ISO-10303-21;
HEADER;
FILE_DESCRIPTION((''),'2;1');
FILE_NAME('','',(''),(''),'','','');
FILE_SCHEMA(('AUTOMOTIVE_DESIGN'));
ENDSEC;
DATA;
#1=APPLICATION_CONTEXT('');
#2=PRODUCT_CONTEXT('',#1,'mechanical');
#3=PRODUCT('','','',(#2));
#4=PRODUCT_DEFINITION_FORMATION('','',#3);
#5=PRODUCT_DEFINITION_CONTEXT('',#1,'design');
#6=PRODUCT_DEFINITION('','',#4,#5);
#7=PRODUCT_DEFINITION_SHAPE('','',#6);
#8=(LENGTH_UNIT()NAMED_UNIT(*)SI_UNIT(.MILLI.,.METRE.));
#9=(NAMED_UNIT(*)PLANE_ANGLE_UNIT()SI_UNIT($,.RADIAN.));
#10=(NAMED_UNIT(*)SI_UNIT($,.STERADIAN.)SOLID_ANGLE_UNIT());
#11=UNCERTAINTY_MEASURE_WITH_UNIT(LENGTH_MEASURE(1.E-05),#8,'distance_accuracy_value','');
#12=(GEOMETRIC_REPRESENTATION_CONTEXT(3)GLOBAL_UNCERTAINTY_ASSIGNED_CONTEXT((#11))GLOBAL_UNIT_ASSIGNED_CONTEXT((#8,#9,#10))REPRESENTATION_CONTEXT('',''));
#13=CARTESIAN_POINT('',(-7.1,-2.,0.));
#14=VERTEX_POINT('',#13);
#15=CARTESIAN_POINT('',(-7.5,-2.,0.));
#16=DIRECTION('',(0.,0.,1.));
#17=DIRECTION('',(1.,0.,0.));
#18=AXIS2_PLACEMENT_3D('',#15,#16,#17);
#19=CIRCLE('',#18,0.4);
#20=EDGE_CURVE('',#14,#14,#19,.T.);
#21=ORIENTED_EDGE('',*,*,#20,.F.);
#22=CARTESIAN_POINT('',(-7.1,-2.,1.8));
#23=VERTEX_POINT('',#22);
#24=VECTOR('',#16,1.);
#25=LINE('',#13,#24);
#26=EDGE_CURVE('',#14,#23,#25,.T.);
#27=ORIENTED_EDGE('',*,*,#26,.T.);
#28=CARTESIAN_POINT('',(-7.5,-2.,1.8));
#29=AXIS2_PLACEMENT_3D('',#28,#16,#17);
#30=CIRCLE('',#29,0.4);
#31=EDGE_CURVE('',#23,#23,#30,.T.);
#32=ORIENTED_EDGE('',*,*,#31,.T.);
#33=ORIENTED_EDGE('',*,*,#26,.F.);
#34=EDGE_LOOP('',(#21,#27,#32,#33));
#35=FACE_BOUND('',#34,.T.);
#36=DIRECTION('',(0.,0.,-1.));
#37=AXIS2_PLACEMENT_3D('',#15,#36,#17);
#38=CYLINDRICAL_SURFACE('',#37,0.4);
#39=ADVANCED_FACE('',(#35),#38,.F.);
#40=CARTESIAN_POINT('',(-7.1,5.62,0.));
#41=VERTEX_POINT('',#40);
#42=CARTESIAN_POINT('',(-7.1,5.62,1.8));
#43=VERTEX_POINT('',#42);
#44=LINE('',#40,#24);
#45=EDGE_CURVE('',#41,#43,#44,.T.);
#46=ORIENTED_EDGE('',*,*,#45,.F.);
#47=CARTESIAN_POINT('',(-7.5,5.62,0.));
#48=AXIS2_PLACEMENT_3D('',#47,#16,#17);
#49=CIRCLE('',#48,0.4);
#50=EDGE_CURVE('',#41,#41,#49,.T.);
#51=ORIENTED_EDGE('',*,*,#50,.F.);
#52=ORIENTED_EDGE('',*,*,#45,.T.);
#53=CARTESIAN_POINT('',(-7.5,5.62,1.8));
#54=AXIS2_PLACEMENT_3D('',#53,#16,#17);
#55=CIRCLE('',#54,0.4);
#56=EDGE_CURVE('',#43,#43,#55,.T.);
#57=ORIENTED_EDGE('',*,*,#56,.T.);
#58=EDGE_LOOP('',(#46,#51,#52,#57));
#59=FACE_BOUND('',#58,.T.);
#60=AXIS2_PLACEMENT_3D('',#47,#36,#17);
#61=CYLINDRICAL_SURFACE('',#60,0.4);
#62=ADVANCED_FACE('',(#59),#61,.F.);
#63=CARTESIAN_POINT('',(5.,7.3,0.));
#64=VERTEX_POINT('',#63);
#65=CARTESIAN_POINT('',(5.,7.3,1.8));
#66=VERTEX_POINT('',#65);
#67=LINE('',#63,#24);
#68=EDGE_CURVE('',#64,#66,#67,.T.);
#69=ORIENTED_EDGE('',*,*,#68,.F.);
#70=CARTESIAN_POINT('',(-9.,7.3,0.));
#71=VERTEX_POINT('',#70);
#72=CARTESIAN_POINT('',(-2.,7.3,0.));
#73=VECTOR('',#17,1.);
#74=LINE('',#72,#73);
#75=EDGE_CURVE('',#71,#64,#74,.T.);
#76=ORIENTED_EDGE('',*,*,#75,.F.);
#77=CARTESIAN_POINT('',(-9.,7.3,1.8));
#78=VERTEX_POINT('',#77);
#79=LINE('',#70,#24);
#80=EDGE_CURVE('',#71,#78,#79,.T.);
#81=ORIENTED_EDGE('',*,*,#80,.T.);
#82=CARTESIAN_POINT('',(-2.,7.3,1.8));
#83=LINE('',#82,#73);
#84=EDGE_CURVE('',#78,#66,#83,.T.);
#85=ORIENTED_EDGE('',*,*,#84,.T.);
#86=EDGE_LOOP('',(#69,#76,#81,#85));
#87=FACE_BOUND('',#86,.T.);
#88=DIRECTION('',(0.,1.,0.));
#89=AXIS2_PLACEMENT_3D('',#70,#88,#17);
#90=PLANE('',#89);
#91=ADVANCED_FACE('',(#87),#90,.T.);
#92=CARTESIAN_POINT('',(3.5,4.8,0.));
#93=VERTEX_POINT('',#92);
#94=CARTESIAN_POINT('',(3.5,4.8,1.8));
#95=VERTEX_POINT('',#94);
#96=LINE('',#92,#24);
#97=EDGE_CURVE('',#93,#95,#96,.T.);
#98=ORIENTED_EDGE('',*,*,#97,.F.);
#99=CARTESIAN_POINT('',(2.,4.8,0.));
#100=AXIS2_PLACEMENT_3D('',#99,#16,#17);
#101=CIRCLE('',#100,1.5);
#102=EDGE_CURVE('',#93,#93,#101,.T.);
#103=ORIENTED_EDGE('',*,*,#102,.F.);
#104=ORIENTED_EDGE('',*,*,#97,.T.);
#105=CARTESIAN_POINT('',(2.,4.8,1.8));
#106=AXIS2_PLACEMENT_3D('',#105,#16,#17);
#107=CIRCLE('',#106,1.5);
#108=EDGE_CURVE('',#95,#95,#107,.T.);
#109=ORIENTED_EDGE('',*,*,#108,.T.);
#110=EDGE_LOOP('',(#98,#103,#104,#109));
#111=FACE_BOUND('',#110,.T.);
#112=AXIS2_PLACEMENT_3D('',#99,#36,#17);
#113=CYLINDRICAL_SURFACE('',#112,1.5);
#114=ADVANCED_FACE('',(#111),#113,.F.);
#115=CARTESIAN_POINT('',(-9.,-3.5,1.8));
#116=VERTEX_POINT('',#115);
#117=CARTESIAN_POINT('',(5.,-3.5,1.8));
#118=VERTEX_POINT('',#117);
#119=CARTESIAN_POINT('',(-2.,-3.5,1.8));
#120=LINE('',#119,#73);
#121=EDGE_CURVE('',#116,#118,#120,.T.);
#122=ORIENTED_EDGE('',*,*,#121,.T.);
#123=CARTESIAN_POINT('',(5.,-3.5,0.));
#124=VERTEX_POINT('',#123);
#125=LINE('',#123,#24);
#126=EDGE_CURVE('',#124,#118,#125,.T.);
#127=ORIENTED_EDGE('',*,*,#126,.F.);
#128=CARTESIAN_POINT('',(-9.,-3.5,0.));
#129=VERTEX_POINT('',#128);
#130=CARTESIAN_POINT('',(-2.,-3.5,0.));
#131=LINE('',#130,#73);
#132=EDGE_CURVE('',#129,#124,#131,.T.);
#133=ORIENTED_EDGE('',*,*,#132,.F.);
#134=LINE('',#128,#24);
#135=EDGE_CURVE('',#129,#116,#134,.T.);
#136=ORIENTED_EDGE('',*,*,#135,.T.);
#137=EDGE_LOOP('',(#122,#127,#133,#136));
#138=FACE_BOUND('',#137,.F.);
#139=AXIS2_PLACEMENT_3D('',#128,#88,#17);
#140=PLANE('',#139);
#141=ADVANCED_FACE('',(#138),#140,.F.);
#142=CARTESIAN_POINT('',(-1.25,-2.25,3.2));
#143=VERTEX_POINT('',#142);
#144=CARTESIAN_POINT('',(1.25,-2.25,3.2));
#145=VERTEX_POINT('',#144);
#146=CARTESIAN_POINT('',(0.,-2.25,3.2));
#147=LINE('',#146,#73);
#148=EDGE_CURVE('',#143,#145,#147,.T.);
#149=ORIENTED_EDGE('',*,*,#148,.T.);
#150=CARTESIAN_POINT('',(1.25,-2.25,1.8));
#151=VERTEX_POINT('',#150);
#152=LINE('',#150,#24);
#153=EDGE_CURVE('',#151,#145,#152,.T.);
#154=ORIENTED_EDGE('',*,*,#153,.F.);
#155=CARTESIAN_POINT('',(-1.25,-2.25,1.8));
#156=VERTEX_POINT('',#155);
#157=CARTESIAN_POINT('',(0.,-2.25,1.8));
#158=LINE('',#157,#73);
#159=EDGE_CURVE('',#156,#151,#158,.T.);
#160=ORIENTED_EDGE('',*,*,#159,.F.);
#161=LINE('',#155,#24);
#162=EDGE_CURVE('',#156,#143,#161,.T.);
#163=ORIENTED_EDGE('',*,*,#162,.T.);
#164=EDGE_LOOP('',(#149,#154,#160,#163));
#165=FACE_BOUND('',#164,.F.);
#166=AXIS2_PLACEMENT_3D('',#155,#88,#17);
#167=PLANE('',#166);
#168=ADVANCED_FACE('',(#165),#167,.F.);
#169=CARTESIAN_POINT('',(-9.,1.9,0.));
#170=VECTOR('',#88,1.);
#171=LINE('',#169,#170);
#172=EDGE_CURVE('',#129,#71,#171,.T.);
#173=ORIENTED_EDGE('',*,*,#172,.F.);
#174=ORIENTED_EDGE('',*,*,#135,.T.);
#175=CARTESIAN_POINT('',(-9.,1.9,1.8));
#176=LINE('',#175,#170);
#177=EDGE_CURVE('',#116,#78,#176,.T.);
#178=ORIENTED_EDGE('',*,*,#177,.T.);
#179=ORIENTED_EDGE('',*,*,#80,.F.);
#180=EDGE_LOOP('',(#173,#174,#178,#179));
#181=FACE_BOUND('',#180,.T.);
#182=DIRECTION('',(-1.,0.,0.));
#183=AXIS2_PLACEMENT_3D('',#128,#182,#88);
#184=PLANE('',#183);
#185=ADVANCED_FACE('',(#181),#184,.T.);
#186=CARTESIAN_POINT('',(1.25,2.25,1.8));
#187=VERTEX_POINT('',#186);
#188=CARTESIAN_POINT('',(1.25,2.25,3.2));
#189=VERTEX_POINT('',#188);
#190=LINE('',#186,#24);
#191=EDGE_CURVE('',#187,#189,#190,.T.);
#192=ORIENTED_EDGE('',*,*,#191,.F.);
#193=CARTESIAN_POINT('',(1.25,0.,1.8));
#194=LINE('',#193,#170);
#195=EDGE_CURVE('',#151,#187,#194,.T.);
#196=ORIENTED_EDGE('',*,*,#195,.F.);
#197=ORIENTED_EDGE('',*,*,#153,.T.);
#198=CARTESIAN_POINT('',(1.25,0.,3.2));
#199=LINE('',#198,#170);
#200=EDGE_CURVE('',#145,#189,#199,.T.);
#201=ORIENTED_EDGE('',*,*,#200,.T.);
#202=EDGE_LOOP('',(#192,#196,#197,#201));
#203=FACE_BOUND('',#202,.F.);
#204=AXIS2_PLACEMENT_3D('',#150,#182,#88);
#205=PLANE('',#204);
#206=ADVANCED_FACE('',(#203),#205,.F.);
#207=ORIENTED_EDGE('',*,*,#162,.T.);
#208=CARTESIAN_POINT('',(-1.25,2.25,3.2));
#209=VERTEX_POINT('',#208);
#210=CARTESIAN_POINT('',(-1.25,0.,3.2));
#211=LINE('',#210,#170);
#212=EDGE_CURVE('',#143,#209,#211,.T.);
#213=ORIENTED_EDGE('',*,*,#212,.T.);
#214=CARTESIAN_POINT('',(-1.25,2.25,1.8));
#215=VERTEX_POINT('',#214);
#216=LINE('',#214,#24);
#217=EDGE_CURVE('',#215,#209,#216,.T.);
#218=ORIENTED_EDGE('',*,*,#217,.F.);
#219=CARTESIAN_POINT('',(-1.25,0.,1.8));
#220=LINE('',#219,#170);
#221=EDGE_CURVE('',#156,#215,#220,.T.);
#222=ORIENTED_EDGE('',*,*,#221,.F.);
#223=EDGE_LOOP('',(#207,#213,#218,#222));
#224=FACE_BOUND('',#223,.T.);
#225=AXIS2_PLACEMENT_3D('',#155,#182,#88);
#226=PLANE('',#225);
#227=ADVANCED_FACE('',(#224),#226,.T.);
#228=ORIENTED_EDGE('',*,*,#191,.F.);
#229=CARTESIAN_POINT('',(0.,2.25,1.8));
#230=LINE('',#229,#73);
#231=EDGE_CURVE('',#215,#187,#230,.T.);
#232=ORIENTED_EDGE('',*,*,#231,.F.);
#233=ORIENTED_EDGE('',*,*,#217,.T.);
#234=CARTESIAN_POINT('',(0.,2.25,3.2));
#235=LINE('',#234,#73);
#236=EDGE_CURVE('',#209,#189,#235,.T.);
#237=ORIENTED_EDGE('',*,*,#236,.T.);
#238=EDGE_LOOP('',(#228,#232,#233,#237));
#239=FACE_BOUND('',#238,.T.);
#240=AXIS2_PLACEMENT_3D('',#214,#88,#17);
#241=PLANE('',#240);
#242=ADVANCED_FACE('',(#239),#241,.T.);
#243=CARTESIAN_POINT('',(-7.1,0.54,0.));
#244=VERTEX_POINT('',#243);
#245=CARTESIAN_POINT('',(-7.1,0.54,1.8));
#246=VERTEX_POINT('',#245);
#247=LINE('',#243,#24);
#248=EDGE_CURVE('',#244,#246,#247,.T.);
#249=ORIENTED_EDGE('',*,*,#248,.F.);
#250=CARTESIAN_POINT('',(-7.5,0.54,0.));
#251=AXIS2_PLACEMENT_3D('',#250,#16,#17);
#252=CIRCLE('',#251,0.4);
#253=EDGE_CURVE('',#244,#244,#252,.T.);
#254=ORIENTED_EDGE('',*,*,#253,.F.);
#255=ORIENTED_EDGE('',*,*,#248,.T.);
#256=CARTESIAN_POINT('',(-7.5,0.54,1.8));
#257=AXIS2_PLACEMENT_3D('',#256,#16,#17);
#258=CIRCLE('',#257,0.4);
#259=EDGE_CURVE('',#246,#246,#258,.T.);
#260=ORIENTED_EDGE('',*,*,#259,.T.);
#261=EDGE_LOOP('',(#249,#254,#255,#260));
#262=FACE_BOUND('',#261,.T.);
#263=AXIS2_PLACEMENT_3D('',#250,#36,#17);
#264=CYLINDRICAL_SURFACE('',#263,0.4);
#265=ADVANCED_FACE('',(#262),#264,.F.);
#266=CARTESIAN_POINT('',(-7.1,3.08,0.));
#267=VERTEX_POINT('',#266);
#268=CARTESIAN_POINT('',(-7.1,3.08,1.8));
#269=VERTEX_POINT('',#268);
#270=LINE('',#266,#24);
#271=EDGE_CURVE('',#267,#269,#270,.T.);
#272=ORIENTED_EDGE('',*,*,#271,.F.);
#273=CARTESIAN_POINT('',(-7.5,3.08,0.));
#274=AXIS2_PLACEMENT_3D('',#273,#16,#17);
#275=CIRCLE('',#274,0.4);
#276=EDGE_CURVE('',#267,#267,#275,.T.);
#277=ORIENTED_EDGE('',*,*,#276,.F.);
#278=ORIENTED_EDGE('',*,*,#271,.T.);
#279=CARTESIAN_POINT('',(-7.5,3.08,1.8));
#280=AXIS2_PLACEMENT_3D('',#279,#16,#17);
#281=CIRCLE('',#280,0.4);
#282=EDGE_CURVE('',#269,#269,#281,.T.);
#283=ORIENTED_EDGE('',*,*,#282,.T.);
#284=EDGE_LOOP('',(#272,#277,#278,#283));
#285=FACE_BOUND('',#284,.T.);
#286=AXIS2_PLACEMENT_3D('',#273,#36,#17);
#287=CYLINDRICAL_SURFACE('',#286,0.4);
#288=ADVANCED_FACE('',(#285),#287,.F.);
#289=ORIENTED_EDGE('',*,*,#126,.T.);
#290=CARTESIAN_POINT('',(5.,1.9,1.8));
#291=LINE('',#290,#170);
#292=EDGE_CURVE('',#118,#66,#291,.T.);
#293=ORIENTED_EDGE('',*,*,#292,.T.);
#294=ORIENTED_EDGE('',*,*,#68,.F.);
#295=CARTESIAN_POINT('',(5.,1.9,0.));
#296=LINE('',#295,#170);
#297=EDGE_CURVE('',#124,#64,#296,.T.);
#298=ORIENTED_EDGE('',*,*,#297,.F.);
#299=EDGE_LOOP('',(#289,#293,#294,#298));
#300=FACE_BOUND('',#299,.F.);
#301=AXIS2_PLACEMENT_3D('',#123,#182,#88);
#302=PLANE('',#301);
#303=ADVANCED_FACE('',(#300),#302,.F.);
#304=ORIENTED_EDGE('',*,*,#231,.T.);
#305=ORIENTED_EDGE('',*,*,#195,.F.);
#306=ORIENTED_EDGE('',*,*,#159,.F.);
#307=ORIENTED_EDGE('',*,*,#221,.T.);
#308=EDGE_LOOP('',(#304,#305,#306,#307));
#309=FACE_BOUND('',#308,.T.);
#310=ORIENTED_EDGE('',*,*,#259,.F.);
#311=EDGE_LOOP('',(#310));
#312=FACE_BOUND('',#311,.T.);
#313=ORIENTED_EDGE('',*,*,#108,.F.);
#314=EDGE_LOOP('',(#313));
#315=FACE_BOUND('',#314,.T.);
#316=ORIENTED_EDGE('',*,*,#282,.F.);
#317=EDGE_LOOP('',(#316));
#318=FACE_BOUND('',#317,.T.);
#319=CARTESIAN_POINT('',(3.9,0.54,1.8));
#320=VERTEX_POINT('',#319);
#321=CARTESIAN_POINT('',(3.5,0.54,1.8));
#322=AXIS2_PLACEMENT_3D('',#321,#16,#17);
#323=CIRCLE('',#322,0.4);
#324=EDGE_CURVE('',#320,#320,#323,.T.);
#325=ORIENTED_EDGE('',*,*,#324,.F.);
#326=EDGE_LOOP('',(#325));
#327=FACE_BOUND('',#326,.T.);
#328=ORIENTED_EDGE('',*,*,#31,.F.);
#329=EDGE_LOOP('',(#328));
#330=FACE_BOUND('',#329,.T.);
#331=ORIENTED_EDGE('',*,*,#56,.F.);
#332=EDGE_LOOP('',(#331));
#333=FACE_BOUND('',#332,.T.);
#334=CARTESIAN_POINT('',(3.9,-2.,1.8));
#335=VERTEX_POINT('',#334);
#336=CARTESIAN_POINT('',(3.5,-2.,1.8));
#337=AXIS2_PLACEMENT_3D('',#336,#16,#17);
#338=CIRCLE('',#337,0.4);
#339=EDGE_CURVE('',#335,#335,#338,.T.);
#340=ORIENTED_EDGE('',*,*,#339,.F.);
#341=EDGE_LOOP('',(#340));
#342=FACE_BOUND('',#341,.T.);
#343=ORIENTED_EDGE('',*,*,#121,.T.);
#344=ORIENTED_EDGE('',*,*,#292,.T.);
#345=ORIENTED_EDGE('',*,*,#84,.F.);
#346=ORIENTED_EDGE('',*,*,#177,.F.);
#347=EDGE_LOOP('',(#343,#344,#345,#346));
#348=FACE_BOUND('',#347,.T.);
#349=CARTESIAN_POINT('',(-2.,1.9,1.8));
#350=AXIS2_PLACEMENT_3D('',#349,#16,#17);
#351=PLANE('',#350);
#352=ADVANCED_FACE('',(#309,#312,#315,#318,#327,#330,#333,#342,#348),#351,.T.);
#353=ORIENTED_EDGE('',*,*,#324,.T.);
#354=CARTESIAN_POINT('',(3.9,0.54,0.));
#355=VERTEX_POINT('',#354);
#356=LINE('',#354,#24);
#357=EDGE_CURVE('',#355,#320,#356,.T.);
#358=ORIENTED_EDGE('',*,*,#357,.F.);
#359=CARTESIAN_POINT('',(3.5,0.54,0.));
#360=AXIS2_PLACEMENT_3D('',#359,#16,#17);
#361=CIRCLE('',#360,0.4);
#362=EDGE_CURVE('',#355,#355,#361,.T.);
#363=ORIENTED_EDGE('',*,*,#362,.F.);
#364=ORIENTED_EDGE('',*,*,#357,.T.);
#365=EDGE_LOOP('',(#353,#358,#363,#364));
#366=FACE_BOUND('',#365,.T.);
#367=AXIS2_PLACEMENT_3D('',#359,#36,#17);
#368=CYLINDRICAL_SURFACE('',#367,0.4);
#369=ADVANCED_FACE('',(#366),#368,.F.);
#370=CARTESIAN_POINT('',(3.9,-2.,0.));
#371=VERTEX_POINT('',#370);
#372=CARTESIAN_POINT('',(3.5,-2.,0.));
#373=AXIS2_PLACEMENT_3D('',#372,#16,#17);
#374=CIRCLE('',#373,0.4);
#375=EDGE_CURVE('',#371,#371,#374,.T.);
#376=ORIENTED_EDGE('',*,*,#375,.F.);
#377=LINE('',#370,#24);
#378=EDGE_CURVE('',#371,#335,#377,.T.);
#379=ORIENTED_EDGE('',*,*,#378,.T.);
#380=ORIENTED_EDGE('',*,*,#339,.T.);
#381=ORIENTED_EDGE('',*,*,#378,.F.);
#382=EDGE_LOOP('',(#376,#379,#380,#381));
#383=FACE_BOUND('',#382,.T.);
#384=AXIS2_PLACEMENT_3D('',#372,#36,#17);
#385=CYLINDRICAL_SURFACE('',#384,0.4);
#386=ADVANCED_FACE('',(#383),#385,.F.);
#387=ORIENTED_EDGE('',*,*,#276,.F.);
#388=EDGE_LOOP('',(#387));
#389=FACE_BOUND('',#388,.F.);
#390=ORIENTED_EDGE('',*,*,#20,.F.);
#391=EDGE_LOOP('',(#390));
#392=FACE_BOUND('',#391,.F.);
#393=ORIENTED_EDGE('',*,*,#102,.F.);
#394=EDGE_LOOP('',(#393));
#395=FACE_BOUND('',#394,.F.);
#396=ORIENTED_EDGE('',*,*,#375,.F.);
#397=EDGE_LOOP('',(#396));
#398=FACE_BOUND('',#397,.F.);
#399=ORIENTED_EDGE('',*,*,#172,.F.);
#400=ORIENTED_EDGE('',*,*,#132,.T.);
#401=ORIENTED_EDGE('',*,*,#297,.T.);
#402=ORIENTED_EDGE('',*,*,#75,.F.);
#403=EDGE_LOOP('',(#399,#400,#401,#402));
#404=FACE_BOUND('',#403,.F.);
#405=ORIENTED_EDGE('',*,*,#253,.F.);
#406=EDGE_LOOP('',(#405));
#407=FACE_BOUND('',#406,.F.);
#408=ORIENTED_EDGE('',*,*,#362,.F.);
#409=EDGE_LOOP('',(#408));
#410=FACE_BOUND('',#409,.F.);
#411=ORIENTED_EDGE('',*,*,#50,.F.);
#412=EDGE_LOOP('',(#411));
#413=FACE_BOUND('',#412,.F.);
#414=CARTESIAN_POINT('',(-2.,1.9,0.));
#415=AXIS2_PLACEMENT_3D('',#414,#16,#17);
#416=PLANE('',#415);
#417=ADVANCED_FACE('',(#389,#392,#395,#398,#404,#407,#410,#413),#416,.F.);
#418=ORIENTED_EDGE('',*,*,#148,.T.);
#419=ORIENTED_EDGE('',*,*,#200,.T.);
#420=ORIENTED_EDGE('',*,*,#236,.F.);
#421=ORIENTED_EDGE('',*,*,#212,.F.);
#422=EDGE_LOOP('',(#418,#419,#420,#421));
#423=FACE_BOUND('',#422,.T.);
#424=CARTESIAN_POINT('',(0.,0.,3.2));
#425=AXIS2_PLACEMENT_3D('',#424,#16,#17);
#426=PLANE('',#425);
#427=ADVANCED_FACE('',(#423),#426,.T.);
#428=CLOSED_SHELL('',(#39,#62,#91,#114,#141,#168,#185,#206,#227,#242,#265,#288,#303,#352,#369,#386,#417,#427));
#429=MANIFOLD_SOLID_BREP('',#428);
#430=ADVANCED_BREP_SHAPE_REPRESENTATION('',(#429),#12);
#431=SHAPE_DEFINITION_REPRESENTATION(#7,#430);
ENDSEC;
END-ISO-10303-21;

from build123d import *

# Parameters (mm, degrees)
SKETCH_W     = 14
SKETCH_H     = 10.8
SKETCH_R     = 1.5
SKETCH_R_2   = 0.4
PAD_DEPTH    = 1.8
SKETCH001_W  = 2.5
SKETCH001_H  = 4.5
PAD001_DEPTH = 1.4


with BuildPart() as part:
    # Sketch → Pad (new body)
    with BuildSketch(Plane.XY):
        with Locations((-2, 1.9)):
            Rectangle(SKETCH_W, SKETCH_H)
        with Locations((2, 4.8)):
            Circle(SKETCH_R, mode=Mode.SUBTRACT)
        with Locations((3.5, 0.54)):
            Circle(SKETCH_R_2, mode=Mode.SUBTRACT)
        with Locations((3.5, -2)):
            Circle(SKETCH_R_2, mode=Mode.SUBTRACT)
        with Locations((-7.5, 5.62)):
            Circle(SKETCH_R_2, mode=Mode.SUBTRACT)
        with Locations((-7.5, 3.08)):
            Circle(SKETCH_R_2, mode=Mode.SUBTRACT)
        with Locations((-7.5, 0.54)):
            Circle(SKETCH_R_2, mode=Mode.SUBTRACT)
        with Locations((-7.5, -2)):
            Circle(SKETCH_R_2, mode=Mode.SUBTRACT)
    extrude(amount=PAD_DEPTH)

    # Sketch001 (on Face13 of Pad) → Pad001 (join)
    with BuildSketch(Plane.XY.offset(1.8)):
        Rectangle(SKETCH001_W, SKETCH001_H)
    extrude(amount=PAD001_DEPTH)


solid = part.part
